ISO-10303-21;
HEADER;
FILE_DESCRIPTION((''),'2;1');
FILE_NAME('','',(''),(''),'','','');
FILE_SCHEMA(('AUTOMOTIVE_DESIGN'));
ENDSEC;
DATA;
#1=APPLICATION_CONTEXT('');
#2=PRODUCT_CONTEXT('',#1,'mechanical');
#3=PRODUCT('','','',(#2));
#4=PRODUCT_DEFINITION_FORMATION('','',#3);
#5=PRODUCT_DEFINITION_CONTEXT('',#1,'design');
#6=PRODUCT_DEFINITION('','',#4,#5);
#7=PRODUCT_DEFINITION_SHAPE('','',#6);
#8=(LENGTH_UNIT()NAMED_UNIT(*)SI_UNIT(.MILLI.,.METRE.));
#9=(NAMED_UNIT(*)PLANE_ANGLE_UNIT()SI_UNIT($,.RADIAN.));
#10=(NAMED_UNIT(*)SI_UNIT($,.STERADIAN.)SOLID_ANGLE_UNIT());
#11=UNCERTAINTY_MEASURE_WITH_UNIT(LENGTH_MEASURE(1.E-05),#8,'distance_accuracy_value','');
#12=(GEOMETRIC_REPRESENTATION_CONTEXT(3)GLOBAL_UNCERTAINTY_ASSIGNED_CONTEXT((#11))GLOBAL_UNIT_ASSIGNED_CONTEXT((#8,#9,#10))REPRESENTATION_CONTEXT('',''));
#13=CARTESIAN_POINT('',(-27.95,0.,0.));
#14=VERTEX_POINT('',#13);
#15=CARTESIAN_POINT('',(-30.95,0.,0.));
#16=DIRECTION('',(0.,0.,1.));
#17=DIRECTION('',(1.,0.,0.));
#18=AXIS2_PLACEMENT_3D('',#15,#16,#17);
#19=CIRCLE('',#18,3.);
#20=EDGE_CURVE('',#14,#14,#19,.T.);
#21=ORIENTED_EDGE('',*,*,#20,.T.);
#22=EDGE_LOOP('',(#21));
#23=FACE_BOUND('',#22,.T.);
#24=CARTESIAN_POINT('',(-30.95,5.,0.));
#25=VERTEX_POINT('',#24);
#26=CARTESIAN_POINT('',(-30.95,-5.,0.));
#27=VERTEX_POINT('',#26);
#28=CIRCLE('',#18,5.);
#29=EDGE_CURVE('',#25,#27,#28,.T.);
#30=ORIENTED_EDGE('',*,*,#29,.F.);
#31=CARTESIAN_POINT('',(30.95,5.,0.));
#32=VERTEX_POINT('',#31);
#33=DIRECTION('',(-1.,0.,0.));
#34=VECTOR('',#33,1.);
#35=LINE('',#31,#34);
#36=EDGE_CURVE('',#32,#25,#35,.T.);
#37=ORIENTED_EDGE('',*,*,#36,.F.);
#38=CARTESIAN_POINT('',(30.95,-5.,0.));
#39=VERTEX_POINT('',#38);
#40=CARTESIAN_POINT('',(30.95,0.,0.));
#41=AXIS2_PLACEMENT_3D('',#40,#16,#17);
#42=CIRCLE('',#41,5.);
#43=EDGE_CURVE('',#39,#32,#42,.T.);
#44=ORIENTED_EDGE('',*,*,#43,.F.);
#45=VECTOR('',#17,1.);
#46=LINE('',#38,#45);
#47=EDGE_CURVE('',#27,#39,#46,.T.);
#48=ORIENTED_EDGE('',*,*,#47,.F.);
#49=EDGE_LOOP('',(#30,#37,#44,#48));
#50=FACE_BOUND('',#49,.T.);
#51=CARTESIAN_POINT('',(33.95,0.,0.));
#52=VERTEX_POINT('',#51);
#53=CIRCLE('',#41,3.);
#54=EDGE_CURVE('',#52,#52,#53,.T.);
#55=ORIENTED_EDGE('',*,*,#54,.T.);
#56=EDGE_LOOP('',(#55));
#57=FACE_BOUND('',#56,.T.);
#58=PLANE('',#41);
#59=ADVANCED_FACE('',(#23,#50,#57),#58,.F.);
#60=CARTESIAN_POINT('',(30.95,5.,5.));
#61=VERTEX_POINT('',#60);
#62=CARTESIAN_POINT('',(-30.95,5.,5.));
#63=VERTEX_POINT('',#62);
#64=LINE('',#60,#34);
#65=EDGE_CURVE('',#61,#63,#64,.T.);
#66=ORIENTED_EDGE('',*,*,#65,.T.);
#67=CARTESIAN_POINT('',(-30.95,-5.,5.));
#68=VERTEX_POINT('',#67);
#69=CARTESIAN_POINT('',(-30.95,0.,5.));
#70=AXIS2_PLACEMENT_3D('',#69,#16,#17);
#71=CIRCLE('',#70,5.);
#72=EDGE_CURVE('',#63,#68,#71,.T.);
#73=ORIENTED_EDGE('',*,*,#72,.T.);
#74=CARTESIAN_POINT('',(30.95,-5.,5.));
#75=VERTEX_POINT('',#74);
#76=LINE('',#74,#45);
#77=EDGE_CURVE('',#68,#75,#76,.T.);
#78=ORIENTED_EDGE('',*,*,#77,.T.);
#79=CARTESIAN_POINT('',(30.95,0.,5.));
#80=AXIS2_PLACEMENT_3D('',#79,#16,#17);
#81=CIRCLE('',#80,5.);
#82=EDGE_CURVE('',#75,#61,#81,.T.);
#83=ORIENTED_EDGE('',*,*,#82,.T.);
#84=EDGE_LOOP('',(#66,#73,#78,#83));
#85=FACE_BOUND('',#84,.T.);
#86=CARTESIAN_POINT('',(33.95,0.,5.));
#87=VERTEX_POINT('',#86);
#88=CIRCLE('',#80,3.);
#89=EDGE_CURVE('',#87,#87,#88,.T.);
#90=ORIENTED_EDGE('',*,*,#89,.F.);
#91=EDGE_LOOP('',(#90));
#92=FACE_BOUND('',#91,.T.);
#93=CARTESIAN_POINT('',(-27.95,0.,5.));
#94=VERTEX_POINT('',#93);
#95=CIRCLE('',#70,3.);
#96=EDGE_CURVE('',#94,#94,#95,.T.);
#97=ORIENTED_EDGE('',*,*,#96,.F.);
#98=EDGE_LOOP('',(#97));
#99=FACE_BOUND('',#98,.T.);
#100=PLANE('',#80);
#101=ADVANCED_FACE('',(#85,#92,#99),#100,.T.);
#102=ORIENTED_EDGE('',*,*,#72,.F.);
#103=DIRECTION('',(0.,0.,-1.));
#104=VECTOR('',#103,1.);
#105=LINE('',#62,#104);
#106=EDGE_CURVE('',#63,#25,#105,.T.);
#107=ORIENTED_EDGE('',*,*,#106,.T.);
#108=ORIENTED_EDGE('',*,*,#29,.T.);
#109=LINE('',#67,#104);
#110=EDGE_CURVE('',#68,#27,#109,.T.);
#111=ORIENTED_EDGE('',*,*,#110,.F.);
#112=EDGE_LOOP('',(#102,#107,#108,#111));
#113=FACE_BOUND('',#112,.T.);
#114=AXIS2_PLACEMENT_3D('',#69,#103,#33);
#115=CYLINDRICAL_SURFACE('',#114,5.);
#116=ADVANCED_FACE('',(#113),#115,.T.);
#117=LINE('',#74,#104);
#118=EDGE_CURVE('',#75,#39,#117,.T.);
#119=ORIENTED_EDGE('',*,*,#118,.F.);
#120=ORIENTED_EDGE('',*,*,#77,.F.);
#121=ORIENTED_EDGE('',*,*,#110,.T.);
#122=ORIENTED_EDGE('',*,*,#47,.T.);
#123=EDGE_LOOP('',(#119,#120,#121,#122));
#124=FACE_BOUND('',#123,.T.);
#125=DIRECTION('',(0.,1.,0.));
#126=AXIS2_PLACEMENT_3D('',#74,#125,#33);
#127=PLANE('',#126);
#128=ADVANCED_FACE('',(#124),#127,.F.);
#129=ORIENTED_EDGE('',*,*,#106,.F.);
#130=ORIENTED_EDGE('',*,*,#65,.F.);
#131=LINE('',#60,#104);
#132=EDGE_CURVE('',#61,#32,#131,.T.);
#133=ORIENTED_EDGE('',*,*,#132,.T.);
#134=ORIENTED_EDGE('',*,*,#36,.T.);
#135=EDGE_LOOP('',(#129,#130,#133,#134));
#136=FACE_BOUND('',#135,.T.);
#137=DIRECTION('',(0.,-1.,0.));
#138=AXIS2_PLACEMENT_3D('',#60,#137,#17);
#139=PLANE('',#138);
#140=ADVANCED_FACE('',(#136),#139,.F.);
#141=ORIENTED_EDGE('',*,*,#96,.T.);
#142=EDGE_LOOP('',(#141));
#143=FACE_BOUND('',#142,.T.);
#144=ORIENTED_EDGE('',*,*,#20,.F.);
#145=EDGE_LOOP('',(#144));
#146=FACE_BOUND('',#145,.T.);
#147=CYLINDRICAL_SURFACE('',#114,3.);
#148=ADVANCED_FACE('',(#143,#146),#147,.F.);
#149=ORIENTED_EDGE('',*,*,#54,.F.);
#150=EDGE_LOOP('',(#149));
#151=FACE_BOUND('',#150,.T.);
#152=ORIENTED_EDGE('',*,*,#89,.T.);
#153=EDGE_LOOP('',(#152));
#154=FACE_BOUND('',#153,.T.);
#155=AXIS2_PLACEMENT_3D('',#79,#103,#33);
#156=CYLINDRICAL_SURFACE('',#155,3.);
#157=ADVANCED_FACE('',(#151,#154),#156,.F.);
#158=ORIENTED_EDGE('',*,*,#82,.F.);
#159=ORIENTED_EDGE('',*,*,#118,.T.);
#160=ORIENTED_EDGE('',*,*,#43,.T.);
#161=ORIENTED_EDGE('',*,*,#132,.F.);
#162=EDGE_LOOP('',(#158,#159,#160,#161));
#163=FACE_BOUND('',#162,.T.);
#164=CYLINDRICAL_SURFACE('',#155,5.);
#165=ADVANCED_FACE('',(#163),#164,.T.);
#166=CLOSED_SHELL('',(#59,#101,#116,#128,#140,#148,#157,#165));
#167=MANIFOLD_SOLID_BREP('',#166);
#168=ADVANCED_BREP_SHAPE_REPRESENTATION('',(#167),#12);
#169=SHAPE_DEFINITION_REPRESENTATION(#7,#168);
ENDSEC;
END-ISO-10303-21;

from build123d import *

# Parameters (mm, degrees)
SKETCH1_R           = 3
BOSS_EXTRUDE1_DEPTH = 5


with BuildPart() as part:
    # Sketch1 → Boss-Extrude1 (new body)
    with BuildSketch(Plane.XY):
        with BuildLine():
            Line((30.95, -5), (-30.95, -5))
            ThreePointArc((-30.95, -5), (-35.95, 0), (-30.95, 5))
            Line((-30.95, 5), (30.95, 5))
            ThreePointArc((30.95, 5), (35.95, 0), (30.95, -5))
        make_face()
        with Locations((-30.95, 0)):
            Circle(SKETCH1_R, mode=Mode.SUBTRACT)
        with Locations((30.95, 0)):
            Circle(SKETCH1_R, mode=Mode.SUBTRACT)
    extrude(amount=BOSS_EXTRUDE1_DEPTH)


solid = part.part
